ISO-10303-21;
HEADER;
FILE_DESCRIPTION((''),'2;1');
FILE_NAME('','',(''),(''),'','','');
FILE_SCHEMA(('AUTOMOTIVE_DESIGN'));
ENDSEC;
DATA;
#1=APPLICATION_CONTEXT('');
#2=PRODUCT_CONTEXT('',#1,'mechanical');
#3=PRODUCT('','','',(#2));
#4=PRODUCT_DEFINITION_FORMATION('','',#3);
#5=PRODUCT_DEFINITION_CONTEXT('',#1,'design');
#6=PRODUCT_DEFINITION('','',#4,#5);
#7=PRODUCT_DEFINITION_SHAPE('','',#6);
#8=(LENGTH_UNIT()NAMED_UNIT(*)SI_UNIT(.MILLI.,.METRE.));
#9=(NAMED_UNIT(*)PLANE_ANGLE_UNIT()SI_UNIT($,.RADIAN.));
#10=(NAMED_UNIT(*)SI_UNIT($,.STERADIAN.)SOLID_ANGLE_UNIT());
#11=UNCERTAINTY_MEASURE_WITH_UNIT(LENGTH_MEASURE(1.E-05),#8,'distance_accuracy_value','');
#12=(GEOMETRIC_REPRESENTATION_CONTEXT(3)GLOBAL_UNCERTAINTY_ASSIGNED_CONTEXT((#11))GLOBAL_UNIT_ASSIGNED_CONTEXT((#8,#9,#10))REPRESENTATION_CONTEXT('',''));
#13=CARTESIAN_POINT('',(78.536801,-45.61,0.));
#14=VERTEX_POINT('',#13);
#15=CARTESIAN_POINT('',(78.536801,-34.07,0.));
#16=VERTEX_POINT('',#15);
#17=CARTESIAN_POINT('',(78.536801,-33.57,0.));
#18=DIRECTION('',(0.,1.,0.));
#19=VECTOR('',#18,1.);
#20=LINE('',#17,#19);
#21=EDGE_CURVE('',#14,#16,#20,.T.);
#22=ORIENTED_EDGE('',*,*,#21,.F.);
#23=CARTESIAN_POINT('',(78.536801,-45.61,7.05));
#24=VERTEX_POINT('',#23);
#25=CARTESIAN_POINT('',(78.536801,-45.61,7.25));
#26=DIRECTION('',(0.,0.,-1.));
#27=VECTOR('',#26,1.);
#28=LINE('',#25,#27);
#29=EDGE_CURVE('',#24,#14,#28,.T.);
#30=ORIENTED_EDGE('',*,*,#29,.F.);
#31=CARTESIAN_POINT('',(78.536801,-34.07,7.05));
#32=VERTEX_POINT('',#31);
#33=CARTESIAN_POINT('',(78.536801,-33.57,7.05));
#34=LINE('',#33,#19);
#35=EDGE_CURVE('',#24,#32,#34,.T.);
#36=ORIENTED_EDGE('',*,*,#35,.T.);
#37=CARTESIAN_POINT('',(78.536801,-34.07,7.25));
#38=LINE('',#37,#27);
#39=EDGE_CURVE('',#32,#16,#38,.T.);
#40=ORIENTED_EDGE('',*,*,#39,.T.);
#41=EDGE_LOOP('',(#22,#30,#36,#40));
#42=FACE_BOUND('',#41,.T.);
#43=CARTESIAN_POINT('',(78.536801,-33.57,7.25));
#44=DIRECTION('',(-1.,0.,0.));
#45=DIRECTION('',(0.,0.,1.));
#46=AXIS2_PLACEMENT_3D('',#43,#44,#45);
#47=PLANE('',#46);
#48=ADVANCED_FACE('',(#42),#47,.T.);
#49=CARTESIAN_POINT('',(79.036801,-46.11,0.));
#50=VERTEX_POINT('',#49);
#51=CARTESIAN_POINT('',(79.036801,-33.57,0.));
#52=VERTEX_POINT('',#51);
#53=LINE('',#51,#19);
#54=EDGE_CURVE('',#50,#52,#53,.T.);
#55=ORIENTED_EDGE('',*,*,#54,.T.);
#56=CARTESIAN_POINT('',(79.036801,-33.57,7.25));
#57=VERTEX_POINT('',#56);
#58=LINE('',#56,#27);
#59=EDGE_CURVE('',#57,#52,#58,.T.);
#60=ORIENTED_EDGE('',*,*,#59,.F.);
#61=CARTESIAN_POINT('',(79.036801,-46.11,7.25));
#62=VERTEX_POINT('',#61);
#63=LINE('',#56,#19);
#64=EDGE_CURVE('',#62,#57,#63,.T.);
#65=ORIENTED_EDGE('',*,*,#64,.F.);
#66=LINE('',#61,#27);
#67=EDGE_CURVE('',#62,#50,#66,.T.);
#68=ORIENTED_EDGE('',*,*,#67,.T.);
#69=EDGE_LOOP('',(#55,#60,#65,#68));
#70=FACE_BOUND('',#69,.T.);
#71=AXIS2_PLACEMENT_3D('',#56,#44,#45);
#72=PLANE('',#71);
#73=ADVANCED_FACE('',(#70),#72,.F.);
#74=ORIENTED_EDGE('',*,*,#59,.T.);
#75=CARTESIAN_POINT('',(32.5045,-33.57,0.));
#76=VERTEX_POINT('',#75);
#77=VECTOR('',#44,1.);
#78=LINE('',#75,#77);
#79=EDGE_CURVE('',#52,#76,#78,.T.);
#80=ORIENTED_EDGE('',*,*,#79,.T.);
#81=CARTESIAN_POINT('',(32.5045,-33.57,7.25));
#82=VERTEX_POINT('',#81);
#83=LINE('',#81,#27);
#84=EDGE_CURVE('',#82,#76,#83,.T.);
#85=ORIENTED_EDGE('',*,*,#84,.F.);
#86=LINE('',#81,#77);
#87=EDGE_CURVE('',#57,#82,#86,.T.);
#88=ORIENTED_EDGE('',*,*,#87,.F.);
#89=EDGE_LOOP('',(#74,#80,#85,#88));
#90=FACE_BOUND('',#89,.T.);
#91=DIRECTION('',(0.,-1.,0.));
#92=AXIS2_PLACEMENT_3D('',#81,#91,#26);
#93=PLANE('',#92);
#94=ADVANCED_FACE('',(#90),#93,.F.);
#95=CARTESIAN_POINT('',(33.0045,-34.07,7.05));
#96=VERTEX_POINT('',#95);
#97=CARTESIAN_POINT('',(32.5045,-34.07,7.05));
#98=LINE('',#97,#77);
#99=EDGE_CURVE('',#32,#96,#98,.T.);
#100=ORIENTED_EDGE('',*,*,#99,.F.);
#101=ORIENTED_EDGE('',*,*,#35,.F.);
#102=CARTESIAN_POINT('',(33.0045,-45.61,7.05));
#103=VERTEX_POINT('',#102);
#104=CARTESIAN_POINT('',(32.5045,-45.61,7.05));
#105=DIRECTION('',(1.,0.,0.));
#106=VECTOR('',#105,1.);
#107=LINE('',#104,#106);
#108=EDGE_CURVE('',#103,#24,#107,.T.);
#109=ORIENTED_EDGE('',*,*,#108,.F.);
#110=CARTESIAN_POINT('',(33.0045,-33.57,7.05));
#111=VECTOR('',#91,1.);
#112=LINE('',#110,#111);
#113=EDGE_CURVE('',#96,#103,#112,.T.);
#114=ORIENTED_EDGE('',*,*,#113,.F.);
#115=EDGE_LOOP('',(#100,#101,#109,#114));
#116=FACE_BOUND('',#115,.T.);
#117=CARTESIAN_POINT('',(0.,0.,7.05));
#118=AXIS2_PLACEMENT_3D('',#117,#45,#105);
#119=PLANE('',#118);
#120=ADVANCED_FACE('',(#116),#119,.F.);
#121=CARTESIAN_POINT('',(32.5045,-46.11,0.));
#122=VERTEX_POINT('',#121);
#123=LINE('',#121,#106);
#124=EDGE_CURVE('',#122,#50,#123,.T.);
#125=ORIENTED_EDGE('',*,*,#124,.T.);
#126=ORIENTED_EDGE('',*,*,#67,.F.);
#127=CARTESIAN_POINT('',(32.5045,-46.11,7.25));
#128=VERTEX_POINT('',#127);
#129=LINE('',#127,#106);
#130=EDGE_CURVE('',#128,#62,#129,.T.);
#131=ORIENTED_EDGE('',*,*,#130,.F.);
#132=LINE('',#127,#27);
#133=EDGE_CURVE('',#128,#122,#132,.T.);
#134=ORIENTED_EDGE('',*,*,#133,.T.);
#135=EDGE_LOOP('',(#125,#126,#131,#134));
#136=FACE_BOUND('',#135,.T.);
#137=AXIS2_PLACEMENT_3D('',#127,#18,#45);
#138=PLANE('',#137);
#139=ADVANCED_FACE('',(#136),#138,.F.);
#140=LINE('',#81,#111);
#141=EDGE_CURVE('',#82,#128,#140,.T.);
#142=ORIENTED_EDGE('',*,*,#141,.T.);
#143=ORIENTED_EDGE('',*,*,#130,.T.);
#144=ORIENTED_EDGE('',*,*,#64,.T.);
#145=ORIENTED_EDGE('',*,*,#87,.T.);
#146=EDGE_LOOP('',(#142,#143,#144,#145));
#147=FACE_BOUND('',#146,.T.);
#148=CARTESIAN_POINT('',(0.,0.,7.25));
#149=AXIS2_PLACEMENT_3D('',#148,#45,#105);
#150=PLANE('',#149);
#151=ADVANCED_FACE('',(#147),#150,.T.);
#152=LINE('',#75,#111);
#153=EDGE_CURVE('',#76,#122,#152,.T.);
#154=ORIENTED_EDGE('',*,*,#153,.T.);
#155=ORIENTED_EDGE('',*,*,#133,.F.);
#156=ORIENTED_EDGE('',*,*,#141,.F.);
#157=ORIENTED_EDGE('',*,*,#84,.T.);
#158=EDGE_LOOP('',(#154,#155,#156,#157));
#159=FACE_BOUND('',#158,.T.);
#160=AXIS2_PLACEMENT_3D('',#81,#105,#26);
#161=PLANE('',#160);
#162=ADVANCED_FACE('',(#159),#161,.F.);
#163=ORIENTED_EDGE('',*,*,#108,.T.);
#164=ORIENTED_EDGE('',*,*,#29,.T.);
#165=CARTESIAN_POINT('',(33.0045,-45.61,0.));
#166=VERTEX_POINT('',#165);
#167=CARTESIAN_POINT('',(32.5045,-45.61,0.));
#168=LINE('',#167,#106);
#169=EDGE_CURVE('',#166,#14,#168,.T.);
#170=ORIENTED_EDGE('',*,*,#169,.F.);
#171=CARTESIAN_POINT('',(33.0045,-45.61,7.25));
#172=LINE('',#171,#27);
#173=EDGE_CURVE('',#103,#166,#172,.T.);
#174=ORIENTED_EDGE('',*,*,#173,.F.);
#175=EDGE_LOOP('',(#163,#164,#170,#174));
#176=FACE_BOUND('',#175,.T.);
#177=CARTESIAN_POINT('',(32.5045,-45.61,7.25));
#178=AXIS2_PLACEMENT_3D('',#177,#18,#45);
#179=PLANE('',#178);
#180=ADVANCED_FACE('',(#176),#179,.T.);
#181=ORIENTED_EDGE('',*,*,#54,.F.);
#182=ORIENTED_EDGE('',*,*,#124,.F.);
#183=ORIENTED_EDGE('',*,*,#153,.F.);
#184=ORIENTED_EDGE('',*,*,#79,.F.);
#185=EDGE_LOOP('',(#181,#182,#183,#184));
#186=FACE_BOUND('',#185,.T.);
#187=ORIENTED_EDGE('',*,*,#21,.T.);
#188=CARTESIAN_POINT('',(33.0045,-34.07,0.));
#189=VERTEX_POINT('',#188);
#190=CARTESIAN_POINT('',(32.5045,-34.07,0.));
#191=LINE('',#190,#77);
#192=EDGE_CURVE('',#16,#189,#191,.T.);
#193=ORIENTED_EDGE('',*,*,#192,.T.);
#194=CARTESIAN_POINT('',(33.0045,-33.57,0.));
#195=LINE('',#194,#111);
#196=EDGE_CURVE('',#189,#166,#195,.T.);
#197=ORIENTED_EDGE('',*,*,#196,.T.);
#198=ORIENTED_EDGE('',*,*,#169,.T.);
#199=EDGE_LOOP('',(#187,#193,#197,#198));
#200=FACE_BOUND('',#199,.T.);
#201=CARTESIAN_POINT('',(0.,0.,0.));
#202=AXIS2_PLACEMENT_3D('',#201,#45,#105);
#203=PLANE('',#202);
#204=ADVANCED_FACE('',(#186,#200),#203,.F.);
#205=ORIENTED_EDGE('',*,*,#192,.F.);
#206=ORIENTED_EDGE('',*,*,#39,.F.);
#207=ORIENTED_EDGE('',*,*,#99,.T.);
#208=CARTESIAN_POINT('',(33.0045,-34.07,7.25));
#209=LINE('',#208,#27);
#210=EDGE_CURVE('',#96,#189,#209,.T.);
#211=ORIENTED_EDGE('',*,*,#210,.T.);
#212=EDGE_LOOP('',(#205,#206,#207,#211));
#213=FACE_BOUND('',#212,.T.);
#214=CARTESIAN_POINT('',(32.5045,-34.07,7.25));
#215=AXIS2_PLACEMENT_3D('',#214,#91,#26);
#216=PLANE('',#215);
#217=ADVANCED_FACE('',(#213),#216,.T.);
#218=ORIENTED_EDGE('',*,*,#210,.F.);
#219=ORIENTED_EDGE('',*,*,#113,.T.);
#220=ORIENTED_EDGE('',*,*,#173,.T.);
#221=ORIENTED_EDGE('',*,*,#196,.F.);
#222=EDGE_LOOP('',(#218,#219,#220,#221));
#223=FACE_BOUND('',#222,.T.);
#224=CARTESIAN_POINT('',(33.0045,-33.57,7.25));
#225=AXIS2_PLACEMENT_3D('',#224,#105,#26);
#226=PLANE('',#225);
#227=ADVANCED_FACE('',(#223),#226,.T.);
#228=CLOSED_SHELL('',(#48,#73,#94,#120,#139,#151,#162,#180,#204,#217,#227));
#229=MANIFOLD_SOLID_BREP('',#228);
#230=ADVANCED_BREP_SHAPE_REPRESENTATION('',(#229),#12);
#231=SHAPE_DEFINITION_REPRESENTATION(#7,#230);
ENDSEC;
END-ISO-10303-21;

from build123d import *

# Parameters (mm, degrees)
SKETCH1_W                 = 46.53230149
SKETCH1_H                 = 12.54
BOSS_EXTRUDE1_DEPTH       = 7.25
SHELL1_T                  = -0.5
SHELL1_THICKNESS_2_FACE_W = 45.53230149
SHELL1_THICKNESS_2_FACE_H = 11.54
SHELL1_THICKNESS_2_DEPTH  = 0.3


with BuildPart() as part:
    # Sketch1 → Boss-Extrude1 (new body)
    with BuildSketch(Plane.XY):
        with Locations((55.770650745, -39.84)):
            Rectangle(SKETCH1_W, SKETCH1_H)
    extrude(amount=BOSS_EXTRUDE1_DEPTH)

    # Shell1
    shell1_openings = [part.faces().sort_by_distance(p)[0] for p in [
        (55.770650745, -39.84, 0),
    ]]
    offset(amount=SHELL1_T, openings=shell1_openings, kind=Kind.INTERSECTION)

    # Shell1 thickness 2 face (on inner face of the shell) → Shell1 thickness 2 (cut)
    with BuildSketch(Plane(origin=(55.770650745, -39.84, 6.75), x_dir=(1, 0, 0), z_dir=(0, 0, 1))):
        Rectangle(SHELL1_THICKNESS_2_FACE_W, SHELL1_THICKNESS_2_FACE_H)
    extrude(amount=SHELL1_THICKNESS_2_DEPTH, mode=Mode.SUBTRACT)


solid = part.part
